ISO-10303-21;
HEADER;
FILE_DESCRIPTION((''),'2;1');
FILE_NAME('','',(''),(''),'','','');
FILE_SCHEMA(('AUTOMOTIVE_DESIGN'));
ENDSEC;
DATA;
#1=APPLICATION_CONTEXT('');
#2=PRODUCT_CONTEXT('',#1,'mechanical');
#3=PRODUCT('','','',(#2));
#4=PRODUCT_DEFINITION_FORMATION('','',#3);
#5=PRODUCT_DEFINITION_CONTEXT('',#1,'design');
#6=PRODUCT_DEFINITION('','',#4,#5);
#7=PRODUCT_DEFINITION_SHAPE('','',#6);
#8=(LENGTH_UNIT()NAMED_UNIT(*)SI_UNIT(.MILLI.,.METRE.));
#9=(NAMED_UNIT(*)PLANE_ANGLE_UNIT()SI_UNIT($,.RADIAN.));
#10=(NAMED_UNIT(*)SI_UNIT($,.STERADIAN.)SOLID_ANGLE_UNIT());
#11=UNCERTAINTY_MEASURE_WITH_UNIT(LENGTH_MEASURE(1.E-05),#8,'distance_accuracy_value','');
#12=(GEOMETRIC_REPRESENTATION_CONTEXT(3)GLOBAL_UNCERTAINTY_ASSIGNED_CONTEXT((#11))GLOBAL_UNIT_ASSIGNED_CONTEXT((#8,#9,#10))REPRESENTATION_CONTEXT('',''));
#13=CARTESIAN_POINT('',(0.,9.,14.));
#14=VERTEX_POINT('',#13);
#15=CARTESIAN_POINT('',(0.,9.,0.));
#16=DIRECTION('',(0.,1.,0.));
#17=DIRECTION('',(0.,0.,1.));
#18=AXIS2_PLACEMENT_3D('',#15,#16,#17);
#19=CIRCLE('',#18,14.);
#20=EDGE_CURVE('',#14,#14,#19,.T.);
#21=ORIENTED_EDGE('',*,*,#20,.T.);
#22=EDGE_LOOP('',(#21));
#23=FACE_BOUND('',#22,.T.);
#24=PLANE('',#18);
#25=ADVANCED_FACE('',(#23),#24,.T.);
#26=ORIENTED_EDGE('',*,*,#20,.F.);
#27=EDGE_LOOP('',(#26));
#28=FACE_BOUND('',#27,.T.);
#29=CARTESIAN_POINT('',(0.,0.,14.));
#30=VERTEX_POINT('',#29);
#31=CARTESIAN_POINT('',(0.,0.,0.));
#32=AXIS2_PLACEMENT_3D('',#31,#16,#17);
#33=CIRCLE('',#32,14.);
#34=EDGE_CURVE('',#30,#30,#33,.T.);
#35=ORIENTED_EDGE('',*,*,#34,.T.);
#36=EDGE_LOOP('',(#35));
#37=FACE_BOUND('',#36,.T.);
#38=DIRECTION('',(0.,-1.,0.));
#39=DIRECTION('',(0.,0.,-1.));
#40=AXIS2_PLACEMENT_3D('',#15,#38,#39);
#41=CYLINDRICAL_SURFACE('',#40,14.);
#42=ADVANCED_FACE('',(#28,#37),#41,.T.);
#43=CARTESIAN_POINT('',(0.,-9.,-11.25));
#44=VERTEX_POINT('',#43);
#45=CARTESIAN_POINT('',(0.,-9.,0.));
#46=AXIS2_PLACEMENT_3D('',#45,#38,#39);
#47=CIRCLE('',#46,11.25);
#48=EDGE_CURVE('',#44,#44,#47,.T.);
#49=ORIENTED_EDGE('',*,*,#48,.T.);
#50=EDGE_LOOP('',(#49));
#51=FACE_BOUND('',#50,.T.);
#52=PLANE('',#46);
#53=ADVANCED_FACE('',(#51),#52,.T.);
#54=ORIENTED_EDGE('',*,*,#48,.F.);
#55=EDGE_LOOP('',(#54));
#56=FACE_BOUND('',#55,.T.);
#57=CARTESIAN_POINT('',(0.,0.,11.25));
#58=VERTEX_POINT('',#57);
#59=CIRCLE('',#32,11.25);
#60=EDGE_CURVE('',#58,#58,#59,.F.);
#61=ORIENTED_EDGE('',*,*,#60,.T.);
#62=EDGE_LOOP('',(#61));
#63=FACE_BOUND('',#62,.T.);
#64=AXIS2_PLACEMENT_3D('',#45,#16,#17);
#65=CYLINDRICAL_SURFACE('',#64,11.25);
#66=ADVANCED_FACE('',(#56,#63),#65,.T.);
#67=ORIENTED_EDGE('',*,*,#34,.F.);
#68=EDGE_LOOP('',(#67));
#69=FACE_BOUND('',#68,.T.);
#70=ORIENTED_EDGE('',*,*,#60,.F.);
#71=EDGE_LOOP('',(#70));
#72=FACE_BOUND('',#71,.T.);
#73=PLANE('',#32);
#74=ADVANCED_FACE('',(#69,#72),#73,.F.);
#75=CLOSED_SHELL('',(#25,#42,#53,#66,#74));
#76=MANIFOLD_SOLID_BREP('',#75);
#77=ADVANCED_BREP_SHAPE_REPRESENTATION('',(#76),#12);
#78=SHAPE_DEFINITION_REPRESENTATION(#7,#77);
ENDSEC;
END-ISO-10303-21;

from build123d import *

# Parameters (mm, degrees)
ESQUISSE1_R          = 14
BASE_EXTRUSION_DEPTH = 9
ESQUISSE2_R          = 11.25
BOSS_EXTRU_1_DEPTH   = 9


with BuildPart() as part:
    # Esquisse1 → Base-Extrusion (new body)
    with BuildSketch(Plane(origin=(0, 0, 0), x_dir=(1, 0, 0), z_dir=(0, 1, 0))):
        with Locations(Location((0, 0, 0), (0, 0, 270))):
            Circle(ESQUISSE1_R)
    extrude(amount=BASE_EXTRUSION_DEPTH)

    # Esquisse2 → Boss.-Extru.1 (add)
    with BuildSketch(Plane.XZ):
        with Locations(Location((0, 0, 0), (0, 0, 90))):
            Circle(ESQUISSE2_R)
    extrude(amount=BOSS_EXTRU_1_DEPTH)


solid = part.part
